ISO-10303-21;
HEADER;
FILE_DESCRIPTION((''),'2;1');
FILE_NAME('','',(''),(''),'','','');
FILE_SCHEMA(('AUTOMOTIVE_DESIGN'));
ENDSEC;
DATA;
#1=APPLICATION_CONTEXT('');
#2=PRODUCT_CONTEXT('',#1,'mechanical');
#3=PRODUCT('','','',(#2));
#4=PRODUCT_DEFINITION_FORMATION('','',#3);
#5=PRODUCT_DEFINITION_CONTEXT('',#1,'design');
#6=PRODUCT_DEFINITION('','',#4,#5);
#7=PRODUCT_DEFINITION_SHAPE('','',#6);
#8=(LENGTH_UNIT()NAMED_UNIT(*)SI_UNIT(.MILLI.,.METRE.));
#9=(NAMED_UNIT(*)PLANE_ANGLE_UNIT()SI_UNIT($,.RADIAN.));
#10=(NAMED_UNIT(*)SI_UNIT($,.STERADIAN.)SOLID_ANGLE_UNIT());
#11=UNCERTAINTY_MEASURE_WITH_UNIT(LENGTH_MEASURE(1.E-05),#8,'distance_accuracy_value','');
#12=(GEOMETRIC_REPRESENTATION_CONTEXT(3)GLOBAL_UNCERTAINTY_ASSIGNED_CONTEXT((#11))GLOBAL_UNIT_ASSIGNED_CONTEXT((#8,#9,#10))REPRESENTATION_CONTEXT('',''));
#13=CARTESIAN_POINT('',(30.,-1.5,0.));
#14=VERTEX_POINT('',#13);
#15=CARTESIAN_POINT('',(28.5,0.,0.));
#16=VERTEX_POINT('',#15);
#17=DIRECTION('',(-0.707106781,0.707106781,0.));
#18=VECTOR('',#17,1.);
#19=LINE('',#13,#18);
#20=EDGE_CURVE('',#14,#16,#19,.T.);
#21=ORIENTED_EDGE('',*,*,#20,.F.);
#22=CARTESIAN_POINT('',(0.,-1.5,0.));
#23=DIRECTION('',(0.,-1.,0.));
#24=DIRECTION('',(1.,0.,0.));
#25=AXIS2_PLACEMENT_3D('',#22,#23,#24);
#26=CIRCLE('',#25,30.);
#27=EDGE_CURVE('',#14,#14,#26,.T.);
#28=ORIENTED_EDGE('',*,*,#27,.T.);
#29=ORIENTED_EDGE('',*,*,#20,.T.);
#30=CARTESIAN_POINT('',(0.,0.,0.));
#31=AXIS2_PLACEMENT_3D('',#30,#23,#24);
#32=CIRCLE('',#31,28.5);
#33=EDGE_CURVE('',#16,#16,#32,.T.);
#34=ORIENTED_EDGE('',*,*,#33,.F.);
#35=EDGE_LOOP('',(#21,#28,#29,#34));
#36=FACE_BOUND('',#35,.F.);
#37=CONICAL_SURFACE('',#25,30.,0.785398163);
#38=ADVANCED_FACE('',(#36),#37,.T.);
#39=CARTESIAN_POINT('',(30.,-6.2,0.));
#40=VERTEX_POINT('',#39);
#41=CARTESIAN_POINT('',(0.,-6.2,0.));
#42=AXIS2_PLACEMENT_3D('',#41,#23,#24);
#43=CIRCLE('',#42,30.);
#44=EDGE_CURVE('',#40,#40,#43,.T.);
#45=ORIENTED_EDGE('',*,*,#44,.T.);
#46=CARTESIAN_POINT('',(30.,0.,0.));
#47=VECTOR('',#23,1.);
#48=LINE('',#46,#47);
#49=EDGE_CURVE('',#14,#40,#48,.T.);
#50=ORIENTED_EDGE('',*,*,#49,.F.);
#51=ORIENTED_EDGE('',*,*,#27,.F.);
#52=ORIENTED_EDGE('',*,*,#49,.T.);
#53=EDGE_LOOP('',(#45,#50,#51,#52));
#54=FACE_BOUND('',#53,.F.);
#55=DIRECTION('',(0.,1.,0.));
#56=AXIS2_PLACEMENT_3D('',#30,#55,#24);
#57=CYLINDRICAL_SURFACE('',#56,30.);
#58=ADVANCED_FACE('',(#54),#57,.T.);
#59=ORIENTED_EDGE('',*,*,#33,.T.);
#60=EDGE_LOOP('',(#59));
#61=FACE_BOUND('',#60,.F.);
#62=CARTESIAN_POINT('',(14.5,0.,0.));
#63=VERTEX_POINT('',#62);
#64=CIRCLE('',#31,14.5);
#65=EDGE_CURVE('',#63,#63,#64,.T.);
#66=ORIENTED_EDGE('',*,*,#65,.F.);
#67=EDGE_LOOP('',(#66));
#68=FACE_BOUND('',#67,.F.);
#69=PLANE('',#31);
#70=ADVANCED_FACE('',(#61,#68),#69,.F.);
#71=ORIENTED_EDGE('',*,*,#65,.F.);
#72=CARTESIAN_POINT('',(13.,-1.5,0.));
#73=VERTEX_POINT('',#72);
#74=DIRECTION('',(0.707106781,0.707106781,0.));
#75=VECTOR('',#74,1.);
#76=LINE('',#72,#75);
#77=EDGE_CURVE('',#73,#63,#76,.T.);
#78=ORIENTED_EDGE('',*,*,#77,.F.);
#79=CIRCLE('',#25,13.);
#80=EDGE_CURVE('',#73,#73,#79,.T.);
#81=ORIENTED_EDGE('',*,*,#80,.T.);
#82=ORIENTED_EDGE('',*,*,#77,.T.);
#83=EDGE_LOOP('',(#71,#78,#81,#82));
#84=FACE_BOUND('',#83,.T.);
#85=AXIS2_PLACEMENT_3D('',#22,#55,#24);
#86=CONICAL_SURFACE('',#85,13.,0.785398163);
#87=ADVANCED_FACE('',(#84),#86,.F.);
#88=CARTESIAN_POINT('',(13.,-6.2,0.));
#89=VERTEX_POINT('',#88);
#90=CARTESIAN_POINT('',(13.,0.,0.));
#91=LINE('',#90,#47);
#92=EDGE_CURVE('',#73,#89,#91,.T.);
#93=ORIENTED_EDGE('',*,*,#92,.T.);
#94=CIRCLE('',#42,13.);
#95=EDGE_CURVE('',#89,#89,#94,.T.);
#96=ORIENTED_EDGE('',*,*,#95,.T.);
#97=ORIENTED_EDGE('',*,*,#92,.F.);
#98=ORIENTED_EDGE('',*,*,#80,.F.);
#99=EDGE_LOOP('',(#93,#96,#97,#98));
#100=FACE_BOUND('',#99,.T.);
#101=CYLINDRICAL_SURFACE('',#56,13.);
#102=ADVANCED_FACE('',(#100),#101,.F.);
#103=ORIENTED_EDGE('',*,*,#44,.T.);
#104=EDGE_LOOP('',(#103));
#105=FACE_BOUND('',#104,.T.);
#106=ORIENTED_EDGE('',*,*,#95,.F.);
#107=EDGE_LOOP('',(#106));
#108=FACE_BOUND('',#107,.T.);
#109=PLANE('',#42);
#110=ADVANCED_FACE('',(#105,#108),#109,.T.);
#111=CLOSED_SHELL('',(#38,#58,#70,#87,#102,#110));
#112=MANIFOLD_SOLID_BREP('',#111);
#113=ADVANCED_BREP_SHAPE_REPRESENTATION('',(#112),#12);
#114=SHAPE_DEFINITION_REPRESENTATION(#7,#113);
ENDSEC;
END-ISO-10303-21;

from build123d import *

# Parameters (mm, degrees)
F0_R     = 30
F0_R_2   = 13
F1_DEPTH = 6.2
F2_SIZE  = 1.5


with BuildPart() as f1:
    # F0 (on Front) → F1 (new body)
    with BuildSketch(Plane.XZ):
        Circle(F0_R)
        Circle(F0_R_2, mode=Mode.SUBTRACT)
    extrude(amount=F1_DEPTH)

    # F2
    f2_edges = [f1.edges().sort_by_distance(p)[0] for p in [
        (-13, 0, 0),
        (-30, 0, 0),
    ]]
    chamfer(f2_edges, length=F2_SIZE)


solid = f1.part
